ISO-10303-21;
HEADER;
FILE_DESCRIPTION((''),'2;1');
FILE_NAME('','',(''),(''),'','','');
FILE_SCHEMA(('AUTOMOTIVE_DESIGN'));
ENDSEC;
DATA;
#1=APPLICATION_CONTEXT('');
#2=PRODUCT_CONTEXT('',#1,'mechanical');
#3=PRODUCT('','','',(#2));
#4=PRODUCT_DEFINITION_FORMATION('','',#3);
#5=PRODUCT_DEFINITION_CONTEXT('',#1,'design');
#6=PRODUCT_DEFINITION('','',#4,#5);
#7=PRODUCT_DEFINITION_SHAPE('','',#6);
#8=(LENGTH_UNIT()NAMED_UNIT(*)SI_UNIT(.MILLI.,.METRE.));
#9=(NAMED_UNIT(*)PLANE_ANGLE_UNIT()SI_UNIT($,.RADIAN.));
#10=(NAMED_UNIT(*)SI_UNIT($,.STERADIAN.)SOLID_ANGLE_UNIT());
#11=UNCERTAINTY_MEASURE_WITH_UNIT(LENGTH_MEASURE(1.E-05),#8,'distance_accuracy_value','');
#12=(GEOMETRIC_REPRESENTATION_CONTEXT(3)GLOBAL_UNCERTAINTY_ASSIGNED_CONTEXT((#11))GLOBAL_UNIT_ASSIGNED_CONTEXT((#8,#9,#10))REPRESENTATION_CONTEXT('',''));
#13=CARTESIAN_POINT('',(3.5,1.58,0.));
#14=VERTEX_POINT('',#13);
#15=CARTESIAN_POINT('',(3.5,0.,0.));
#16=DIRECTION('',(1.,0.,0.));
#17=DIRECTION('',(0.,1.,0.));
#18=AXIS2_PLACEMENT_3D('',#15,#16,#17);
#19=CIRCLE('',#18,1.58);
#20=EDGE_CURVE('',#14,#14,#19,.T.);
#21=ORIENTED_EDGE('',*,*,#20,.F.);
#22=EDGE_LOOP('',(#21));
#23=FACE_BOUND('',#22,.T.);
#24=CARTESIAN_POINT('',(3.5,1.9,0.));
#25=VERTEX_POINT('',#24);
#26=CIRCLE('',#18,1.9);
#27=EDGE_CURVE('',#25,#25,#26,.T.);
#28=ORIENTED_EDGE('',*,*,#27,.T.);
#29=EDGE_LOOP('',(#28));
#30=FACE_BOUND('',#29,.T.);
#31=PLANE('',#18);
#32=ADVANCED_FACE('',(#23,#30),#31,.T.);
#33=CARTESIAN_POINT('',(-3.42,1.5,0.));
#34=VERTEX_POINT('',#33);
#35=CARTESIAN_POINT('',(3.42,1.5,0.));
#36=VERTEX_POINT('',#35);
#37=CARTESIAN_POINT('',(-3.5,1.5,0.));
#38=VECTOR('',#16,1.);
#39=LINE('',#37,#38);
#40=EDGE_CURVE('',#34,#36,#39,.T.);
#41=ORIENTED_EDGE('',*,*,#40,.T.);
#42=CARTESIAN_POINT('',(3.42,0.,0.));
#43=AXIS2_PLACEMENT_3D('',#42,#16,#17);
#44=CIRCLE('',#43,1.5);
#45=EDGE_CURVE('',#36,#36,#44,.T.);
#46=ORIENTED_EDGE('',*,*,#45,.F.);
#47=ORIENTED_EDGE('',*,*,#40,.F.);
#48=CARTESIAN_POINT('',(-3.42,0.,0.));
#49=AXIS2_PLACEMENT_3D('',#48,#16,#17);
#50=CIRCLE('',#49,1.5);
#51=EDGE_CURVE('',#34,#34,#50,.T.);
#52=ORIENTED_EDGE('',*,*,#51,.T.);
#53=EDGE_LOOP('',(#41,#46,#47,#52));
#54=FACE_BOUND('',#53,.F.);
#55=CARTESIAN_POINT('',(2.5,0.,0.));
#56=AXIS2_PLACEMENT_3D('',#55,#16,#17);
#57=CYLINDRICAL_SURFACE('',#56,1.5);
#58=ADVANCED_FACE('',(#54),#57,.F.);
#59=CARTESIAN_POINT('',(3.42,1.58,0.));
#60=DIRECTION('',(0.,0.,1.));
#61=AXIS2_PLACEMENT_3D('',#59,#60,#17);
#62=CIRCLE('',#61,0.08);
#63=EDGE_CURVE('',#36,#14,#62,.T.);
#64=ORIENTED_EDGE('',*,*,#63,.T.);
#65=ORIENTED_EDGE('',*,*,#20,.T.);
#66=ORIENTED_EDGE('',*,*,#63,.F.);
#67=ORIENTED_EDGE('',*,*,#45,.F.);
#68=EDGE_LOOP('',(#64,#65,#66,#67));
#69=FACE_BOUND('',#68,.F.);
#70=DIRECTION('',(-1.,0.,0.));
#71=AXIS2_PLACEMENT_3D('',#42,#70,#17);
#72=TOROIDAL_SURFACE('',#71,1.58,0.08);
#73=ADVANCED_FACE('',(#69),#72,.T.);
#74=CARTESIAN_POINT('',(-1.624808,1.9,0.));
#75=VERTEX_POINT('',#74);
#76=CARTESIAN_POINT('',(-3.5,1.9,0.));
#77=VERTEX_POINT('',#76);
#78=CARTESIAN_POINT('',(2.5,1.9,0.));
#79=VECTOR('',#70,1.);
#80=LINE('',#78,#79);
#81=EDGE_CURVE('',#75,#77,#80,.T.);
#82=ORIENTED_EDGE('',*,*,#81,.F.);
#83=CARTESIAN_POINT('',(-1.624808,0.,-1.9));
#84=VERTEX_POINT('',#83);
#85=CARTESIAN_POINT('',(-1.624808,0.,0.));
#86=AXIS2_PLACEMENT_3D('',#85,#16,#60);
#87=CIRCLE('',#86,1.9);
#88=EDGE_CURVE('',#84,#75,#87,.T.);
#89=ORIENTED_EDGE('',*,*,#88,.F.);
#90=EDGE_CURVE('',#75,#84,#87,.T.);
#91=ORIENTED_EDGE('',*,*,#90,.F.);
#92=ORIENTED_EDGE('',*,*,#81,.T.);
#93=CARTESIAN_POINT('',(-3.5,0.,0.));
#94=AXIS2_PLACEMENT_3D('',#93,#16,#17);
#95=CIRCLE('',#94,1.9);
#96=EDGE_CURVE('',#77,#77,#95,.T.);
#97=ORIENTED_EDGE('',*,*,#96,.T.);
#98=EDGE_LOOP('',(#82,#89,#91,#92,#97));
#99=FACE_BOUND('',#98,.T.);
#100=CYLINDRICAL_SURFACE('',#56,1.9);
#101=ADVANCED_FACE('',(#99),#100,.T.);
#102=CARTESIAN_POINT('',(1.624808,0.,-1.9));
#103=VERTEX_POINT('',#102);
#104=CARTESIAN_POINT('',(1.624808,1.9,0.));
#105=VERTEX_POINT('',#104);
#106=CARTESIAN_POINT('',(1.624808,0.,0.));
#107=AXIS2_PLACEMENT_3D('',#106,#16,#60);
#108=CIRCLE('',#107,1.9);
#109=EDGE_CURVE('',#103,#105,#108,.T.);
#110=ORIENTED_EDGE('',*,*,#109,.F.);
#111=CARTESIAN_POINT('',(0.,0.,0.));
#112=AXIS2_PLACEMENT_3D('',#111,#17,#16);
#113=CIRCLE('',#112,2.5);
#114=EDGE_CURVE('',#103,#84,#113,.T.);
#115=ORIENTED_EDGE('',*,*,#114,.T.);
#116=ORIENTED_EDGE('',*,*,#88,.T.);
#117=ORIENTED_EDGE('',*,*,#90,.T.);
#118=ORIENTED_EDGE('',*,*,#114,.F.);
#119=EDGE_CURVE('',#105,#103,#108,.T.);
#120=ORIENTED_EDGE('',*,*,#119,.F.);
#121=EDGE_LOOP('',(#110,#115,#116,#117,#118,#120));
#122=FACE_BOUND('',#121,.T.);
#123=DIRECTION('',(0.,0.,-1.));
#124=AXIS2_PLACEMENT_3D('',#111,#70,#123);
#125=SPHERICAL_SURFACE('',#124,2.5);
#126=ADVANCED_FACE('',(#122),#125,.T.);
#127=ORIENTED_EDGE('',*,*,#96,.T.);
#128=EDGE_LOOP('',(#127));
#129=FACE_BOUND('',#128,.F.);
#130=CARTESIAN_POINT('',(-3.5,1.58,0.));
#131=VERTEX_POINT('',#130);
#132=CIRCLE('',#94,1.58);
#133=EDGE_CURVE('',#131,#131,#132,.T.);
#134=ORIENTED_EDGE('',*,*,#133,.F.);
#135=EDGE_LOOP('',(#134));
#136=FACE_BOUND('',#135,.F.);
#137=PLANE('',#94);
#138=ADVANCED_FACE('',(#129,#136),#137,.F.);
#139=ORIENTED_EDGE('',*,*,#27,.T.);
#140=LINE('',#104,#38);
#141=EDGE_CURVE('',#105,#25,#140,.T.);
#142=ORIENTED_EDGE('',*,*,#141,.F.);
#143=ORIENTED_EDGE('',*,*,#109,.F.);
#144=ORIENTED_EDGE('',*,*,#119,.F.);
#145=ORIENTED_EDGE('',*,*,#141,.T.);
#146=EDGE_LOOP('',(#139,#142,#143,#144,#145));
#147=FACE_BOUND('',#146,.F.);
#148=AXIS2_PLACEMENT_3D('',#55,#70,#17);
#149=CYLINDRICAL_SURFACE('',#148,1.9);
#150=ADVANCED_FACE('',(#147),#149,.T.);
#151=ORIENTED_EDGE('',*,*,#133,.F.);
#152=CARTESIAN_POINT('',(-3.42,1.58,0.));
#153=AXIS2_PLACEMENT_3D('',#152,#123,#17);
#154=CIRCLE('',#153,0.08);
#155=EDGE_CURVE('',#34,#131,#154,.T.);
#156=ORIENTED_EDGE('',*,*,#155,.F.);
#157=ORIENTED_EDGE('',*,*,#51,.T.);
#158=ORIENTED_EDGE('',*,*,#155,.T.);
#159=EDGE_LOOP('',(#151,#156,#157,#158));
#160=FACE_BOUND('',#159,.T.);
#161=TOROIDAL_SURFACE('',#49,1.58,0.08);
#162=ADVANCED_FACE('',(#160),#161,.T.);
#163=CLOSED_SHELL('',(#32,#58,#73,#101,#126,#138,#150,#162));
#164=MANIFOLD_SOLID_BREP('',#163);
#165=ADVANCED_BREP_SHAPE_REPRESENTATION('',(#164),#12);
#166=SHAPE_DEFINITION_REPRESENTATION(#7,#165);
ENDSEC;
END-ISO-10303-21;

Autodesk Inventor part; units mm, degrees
ref_plane "XZ Plane" through (0, 0, 0) normal (0, 1, 0) x (-1, 0, 0)
ref_plane "XY Plane" through (0, 0, 0) normal (0, 0, 1) x (1, 0, 0)
sketch "Boceto1" plane through (0, 0, 0) normal (0, 1, 0) x (-1, 0, 0)
  arc A0 (-2.5, 0) -> (2.5, 0) centre (0, 0) ccw
  line L0 (-2.5, 0) -> (2.5, 0)
  dimension "d0" = 5
revolve "Revolución1" add sketch "Boceto1" angle 360 about axis through (2.5, 0, 0) along (-1, 0, 0)
ref_plane "Plano de trabajo1" through (2.5, 0, 0) normal (1, 0, 0) x (0, 1, 0)
sketch "Boceto2" plane through (2.5, 0, 0) normal (1, 0, 0) x (0, 1, 0)
  circle A0 centre (0, 0) radius 1.5
  circle A1 centre (0, 0) radius 1.9
  dimension "d3" = 3
  dimension "d4" = 3.8
extrude "Extrusión1" add sketch "Boceto2" along normal blind 1 and the other way blind 6
sketch "Boceto3" plane through (2.5, 0, 0) normal (1, 0, 0) x (0, 1, 0)
  circle A0 centre (0, 0) radius 1.5
extrude "Extrusión2" cut sketch "Boceto3" against normal blind 10000
fillet "Empalme1" radius 0.08 2 edges at (-3.5, -1.5, 0) (3.5, -1.5, 0)
properties part number "Bola_libertad_grande"
